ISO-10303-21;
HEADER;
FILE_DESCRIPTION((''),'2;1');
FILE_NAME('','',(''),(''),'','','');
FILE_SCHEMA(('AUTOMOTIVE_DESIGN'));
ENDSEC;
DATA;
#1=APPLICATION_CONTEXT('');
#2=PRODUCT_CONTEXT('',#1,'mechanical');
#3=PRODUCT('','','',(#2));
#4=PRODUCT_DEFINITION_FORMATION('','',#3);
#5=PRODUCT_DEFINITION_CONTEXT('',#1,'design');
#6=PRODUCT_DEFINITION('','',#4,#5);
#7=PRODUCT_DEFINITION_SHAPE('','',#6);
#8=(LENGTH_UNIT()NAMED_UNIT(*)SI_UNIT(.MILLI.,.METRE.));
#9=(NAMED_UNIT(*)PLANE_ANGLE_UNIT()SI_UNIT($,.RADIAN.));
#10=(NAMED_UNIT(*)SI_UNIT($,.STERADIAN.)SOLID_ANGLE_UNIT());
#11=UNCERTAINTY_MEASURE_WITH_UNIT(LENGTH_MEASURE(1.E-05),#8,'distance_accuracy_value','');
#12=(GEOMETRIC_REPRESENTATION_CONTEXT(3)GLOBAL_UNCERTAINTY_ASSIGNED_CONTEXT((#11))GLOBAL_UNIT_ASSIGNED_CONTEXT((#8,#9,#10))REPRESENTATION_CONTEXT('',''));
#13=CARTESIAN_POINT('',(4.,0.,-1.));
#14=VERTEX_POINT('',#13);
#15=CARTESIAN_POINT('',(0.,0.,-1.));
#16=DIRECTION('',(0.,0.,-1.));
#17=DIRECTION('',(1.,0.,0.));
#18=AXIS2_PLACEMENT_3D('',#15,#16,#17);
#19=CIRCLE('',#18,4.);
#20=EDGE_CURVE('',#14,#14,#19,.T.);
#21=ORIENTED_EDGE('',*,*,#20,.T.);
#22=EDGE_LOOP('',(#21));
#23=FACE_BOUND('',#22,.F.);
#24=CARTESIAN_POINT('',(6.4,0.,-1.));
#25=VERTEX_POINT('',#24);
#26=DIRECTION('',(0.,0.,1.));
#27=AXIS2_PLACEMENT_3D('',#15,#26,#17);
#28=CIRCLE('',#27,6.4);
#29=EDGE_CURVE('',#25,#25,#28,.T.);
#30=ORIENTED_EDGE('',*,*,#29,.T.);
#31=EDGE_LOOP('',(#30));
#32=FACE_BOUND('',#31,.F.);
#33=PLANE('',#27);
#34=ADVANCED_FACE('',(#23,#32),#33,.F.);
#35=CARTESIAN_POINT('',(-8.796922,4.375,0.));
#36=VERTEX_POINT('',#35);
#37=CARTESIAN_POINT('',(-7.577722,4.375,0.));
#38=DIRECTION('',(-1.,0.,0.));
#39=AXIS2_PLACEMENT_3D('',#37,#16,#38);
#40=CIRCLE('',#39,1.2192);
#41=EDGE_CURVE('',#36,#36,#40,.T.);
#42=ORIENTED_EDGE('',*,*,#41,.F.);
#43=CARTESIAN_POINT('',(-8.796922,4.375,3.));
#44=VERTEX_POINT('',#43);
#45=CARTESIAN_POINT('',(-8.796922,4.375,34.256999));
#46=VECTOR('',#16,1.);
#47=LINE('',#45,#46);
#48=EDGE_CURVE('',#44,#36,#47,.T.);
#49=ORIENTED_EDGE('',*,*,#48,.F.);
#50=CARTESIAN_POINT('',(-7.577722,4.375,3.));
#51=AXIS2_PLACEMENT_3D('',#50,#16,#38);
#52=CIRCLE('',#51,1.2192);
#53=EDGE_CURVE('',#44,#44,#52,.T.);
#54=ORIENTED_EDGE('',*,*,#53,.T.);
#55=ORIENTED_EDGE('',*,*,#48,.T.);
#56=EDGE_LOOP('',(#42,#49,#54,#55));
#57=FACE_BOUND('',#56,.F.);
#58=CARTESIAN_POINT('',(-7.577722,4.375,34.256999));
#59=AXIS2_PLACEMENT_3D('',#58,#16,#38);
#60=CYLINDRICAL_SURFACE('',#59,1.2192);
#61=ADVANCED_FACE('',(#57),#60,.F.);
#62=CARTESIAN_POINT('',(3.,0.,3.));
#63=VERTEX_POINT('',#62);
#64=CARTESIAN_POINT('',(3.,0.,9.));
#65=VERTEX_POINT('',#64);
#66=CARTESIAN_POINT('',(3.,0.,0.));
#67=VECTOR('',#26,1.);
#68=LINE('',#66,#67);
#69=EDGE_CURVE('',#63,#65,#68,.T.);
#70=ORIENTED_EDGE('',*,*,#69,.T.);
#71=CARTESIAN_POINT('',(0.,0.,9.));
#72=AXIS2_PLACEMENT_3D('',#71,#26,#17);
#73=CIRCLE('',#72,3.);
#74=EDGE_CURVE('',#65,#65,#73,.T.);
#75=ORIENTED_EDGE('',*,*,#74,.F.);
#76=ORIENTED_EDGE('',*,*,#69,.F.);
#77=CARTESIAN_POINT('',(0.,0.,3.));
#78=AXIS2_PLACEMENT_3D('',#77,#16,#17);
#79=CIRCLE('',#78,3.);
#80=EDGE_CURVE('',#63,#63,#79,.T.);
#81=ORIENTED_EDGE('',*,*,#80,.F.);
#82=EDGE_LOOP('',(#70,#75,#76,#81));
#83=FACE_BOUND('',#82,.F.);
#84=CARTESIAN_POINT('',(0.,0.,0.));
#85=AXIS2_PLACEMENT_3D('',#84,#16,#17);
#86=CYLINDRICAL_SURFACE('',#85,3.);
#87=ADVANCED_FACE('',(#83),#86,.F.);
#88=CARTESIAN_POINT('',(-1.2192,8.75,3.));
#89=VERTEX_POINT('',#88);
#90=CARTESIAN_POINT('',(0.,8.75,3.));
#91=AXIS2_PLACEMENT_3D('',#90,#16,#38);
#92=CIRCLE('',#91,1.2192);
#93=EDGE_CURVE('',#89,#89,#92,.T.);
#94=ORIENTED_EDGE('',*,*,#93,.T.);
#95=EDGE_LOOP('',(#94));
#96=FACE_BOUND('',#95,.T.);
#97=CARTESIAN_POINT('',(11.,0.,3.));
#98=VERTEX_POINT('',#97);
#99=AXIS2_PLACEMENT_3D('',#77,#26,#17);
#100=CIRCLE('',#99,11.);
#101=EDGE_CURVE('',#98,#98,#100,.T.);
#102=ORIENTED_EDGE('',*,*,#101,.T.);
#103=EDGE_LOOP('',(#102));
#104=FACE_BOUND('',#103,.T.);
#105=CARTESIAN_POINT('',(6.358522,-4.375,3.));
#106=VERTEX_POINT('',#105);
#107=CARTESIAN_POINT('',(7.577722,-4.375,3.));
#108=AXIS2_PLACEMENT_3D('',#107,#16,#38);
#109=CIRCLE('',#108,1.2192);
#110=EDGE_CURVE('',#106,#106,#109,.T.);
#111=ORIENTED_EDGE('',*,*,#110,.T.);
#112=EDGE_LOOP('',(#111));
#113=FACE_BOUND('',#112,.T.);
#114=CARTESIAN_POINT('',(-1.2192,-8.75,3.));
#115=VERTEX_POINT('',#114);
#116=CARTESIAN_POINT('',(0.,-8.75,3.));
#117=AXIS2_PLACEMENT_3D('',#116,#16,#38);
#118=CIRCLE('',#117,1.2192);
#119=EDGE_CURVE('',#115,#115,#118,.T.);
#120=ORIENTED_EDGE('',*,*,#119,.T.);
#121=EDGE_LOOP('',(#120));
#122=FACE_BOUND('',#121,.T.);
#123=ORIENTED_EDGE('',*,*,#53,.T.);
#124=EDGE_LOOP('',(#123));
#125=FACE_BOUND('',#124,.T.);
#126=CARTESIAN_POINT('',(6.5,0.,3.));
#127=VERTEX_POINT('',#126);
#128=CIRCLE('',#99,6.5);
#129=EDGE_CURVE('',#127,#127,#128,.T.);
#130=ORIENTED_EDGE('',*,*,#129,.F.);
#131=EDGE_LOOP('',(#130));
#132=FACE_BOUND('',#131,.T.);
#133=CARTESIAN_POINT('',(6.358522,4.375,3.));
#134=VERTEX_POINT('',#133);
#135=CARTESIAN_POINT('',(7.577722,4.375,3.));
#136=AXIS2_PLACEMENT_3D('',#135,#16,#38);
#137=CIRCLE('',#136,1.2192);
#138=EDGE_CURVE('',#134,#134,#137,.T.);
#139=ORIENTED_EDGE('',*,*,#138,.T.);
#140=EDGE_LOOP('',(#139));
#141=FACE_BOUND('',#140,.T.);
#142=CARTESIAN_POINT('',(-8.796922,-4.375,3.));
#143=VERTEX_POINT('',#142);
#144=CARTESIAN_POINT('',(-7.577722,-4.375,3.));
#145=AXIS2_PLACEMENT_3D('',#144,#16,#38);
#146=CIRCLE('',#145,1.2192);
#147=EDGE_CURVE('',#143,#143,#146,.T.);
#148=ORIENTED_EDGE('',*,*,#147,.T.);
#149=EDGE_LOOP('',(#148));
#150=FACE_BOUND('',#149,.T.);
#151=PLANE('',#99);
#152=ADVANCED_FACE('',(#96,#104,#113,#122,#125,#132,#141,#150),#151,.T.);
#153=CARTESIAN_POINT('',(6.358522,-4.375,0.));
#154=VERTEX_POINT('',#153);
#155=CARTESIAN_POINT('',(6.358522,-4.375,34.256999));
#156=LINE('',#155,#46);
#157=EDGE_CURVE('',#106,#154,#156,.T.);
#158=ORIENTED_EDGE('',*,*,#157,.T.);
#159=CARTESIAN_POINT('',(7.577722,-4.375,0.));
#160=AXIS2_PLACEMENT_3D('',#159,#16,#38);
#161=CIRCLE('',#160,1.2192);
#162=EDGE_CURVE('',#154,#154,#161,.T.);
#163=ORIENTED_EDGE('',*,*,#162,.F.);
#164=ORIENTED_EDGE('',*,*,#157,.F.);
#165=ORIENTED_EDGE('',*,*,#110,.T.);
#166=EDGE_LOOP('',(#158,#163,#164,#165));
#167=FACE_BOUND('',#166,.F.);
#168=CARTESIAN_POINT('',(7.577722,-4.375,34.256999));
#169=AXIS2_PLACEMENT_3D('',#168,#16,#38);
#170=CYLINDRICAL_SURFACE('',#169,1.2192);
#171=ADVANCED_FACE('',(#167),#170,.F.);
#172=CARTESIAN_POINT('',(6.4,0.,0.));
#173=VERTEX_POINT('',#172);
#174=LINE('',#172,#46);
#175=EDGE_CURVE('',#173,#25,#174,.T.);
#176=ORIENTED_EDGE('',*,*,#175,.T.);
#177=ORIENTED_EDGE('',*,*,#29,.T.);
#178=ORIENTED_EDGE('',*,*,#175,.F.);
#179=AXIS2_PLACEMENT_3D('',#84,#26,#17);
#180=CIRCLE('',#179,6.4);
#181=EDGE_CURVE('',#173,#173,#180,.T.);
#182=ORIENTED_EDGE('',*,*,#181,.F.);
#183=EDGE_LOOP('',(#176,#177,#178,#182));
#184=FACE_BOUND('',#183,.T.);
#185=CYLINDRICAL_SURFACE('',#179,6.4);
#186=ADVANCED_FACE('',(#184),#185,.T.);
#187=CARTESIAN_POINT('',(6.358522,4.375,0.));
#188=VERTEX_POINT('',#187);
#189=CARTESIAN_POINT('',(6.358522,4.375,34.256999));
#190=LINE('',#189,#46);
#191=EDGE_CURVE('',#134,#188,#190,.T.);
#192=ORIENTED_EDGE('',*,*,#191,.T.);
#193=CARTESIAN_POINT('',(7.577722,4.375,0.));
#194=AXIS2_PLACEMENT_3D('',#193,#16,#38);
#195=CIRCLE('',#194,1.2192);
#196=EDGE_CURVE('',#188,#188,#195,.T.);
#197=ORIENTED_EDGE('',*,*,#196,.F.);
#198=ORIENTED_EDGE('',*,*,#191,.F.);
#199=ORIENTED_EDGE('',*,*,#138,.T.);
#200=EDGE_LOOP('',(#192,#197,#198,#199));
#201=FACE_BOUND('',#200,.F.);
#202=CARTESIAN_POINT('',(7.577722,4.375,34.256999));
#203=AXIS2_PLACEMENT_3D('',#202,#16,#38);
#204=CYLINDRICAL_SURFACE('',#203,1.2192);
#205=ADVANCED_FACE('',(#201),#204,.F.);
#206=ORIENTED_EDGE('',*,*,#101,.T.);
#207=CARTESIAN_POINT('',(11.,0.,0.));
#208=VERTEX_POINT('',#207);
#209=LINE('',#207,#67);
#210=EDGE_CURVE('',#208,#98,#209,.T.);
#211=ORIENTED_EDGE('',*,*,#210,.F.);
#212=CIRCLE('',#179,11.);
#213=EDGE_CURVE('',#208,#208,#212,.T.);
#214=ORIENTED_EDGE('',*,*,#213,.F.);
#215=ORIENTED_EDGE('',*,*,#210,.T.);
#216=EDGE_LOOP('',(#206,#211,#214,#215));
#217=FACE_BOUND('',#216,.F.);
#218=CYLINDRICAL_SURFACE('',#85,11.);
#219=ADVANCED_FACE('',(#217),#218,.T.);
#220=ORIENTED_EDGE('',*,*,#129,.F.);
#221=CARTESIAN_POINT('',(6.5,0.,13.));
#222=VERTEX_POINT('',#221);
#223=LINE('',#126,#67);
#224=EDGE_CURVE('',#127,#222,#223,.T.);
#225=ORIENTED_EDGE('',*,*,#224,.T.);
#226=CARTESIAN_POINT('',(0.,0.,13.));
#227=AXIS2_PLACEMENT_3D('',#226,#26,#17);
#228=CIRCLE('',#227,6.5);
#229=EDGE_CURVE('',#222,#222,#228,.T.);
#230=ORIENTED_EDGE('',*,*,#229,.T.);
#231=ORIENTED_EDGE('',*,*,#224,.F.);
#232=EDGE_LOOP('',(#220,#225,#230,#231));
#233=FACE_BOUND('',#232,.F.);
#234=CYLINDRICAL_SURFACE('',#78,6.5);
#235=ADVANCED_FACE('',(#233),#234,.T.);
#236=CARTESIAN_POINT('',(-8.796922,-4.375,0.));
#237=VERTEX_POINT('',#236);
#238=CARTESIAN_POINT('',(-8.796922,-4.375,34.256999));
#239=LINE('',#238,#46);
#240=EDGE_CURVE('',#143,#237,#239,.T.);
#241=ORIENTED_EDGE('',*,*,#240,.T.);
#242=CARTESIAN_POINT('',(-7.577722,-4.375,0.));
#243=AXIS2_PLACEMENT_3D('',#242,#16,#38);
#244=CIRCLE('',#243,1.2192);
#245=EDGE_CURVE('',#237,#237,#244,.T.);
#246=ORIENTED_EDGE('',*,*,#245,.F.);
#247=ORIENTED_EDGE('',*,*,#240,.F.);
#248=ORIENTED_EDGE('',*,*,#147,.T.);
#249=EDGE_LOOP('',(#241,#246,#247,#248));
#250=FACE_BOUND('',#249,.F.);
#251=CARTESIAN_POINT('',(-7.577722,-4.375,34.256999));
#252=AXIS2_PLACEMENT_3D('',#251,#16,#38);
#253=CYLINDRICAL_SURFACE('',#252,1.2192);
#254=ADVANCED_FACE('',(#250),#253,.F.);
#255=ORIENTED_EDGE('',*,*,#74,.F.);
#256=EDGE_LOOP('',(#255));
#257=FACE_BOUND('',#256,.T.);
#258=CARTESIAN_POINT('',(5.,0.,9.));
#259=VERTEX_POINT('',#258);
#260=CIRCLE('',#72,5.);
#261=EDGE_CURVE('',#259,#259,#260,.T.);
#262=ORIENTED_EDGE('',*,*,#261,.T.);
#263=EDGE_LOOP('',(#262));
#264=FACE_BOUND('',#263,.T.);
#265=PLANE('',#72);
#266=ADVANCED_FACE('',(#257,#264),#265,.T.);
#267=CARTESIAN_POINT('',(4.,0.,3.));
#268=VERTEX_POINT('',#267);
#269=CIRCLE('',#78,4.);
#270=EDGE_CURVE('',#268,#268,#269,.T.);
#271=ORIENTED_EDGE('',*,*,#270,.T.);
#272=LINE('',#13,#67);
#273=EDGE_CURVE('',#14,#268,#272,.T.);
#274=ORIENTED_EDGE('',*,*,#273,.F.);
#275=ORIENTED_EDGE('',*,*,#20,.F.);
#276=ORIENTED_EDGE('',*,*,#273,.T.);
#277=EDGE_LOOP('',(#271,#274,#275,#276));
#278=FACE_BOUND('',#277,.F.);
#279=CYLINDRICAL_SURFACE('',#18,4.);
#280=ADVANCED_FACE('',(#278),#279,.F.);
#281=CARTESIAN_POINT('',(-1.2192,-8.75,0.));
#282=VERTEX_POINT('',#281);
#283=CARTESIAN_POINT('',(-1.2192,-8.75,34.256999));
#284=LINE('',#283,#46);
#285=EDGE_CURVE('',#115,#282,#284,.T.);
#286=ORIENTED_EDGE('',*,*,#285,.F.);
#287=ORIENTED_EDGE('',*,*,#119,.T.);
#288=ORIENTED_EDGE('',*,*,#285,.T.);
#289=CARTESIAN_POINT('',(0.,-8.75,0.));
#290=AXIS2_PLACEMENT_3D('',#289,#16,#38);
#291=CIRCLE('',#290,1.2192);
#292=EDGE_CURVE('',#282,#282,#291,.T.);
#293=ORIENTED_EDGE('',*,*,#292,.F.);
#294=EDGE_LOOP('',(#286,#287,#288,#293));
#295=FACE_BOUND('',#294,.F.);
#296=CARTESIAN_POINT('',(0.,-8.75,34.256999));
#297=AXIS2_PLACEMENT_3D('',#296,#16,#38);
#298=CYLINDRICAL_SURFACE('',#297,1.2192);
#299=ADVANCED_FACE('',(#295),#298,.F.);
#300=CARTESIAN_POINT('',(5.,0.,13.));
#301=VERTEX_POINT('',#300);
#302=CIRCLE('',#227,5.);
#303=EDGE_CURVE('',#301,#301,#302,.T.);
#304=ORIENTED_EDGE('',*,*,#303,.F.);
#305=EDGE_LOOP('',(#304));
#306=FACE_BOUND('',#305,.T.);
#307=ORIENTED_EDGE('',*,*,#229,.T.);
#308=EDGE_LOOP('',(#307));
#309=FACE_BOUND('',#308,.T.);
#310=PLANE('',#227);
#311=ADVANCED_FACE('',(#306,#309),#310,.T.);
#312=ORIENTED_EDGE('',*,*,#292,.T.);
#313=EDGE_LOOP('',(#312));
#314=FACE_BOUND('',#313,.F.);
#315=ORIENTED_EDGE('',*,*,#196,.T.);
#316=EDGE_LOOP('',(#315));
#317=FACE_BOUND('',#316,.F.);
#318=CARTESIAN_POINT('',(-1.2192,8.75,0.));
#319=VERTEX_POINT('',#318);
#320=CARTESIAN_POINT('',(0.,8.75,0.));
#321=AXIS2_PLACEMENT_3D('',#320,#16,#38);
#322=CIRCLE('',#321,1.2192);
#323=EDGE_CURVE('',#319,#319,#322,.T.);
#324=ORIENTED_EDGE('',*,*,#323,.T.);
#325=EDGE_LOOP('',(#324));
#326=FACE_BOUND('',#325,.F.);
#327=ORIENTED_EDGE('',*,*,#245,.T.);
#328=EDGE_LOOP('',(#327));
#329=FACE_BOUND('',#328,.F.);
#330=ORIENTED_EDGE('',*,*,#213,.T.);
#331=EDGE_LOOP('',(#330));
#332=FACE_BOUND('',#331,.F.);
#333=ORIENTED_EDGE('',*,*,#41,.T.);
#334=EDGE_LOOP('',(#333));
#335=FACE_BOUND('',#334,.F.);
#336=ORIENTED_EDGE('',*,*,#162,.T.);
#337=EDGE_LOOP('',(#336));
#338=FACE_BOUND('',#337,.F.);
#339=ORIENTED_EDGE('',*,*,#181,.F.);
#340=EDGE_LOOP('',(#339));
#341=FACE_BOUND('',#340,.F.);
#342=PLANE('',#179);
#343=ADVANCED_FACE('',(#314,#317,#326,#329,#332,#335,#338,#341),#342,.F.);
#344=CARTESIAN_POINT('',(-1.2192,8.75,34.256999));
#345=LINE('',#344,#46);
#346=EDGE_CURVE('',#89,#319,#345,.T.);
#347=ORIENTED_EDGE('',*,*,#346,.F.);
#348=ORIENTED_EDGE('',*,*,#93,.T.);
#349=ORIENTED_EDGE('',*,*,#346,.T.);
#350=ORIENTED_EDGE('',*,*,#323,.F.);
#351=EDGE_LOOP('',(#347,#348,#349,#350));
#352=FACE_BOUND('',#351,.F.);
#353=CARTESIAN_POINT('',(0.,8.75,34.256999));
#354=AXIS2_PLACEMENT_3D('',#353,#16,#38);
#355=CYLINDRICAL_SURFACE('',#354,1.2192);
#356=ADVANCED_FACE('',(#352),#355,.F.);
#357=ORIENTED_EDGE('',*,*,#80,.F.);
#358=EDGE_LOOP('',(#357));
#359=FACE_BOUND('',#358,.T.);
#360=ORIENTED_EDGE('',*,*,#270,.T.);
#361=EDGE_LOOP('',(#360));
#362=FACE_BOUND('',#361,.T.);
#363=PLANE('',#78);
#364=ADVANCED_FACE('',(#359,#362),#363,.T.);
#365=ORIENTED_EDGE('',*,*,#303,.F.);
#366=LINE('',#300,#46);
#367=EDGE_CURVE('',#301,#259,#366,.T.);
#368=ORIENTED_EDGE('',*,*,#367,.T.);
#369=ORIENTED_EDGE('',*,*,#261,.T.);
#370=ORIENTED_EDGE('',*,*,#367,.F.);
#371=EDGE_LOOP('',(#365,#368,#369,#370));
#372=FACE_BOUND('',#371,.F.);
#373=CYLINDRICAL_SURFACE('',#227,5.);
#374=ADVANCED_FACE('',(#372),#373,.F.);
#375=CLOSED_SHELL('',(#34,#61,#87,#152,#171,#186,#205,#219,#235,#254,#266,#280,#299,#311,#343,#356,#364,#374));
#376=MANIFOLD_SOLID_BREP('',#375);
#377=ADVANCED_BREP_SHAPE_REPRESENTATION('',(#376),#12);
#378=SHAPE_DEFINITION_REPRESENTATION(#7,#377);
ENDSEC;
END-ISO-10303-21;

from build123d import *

# Parameters (mm, degrees)
F0_R      = 11
F1_DEPTH  = 3
F3_D      = 2.4384
F4_R      = 6.5
F4_R_2    = 4
F5_DEPTH  = 10
F6_R      = 3
F7_DEPTH  = 13.001
F8_R      = 5
F8_R_2    = 3
F9_DEPTH  = 4
F10_R     = 6.4
F11_DEPTH = 1
F12_R     = 4
F13_DEPTH = 4


with BuildPart() as f1:
    # F0 (on Top) → F1 (new body)
    with BuildSketch(Plane.XY):
        Circle(F0_R)
        Polygon((7.5777222831, 4.375), (7.5777222831, -4.375), (0, -8.75), (-7.5777222831, -4.375), (-7.5777222831, 4.375), (0, 8.75), align=None, mode=Mode.SUBTRACT)
        Polygon((0, -8.75), (7.5777222831, -4.375), (7.5777222831, 4.375), (0, 8.75), (-7.5777222831, 4.375), (-7.5777222831, -4.375), align=None)
    extrude(amount=F1_DEPTH)

    # F3 (through all)
    with Locations(Plane.XY.offset(3)):
        with Locations((0, 8.75), (7.5777222831, 4.375), (7.5777222831, -4.375), (0, -8.75), (-7.5777222831, -4.375), (-7.5777222831, 4.375)):
            Hole(F3_D / 2)

    # F4 (on face) → F5 (join)
    with BuildSketch(Plane.XY.offset(3)):
        Circle(F4_R)
        Circle(F4_R_2, mode=Mode.SUBTRACT)
        Circle(F4_R_2)
    extrude(amount=F5_DEPTH)

    # F6 (on face) → F7 (cut, through all)
    with BuildSketch(Plane(origin=(0, 0, 0), x_dir=(1, 0, 0), z_dir=(0, 0, -1))):
        Circle(F6_R)
    extrude(amount=-F7_DEPTH, mode=Mode.SUBTRACT)

    # F8 (on face) → F9 (cut)
    with BuildSketch(Plane.XY.offset(13)):
        Circle(F8_R)
        Circle(F8_R_2, mode=Mode.SUBTRACT)
    extrude(amount=-F9_DEPTH, mode=Mode.SUBTRACT)

    # F10 (on Top) → F11 (join)
    with BuildSketch(Plane.XY):
        Circle(F10_R)
    extrude(amount=-F11_DEPTH)

    # F12 (on face) → F13 (cut)
    with BuildSketch(Plane(origin=(0, 0, -1), x_dir=(1, 0, 0), z_dir=(0, 0, -1))):
        Circle(F12_R)
    extrude(amount=-F13_DEPTH, mode=Mode.SUBTRACT)


solid = f1.part
